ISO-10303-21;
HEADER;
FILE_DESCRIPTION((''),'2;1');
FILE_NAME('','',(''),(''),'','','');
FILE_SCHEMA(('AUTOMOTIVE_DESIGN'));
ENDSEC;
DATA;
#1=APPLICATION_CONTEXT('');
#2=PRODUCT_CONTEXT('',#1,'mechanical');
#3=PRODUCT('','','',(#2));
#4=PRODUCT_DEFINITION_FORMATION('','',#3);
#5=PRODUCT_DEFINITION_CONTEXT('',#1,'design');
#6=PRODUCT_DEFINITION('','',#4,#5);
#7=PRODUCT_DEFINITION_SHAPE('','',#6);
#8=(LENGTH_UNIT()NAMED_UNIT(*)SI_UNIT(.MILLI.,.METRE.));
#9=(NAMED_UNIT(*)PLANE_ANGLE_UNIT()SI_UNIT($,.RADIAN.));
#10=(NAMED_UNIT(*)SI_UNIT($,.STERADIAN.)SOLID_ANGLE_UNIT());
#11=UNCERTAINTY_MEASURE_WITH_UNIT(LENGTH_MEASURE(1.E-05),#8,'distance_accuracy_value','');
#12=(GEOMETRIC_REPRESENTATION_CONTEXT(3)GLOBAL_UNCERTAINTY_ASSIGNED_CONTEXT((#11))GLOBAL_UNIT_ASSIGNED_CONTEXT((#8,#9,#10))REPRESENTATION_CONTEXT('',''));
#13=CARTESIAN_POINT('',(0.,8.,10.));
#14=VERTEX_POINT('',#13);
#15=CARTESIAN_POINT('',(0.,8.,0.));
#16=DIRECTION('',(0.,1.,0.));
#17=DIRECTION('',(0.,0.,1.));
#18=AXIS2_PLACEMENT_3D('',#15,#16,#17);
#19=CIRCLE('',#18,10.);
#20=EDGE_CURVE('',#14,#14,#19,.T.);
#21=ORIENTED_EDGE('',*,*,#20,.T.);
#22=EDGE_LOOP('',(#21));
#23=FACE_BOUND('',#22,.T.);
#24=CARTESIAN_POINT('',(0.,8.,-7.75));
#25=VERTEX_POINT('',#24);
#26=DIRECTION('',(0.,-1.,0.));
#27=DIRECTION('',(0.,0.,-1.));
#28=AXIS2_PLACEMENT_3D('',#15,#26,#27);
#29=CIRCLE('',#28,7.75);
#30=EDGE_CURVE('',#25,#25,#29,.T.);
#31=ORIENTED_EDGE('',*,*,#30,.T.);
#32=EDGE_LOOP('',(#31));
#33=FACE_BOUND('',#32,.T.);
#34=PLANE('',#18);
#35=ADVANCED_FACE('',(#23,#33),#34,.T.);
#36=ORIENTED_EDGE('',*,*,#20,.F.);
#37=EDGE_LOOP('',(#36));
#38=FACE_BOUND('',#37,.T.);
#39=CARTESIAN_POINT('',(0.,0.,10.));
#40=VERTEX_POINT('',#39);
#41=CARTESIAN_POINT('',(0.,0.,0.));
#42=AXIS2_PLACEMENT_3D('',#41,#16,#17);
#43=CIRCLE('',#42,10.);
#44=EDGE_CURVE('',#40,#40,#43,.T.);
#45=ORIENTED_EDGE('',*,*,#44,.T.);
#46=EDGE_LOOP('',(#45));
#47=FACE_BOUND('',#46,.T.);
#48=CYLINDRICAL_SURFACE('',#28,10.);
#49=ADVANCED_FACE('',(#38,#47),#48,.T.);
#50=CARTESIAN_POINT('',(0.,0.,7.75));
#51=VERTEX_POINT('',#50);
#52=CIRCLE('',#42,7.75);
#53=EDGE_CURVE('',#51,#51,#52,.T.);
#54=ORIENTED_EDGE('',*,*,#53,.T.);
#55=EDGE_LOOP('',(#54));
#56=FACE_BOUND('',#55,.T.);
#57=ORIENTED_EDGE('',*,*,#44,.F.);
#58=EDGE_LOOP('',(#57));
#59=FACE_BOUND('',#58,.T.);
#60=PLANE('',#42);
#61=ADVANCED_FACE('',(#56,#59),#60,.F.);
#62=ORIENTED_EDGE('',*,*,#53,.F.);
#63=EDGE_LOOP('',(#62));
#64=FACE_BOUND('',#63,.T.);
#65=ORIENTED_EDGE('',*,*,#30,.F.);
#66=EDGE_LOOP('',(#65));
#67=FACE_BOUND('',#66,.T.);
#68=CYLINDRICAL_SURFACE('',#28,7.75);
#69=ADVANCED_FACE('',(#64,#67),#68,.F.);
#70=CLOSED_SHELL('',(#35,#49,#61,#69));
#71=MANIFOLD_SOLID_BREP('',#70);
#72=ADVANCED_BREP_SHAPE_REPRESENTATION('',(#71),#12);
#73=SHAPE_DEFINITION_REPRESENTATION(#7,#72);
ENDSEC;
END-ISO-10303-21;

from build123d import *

# Parameters (mm, degrees)
SKETCH1_R           = 10
BOSS_EXTRUDE1_DEPTH = 8


with BuildPart() as part:
    # Sketch1 → Boss-Extrude1 (new body)
    with BuildSketch(Plane(origin=(0, 0, 0), x_dir=(1, 0, 0), z_dir=(0, 1, 0))):
        with Locations(Location((0, 0, 0), (0, 0, 270))):
            Circle(SKETCH1_R)
        with BuildLine():
            ThreePointArc((-7.75, 0), (0, 7.75), (7.75, 0))
            ThreePointArc((7.75, 0), (0, -7.75), (-7.75, 0))
        make_face(mode=Mode.SUBTRACT)
    extrude(amount=BOSS_EXTRUDE1_DEPTH)


solid = part.part
